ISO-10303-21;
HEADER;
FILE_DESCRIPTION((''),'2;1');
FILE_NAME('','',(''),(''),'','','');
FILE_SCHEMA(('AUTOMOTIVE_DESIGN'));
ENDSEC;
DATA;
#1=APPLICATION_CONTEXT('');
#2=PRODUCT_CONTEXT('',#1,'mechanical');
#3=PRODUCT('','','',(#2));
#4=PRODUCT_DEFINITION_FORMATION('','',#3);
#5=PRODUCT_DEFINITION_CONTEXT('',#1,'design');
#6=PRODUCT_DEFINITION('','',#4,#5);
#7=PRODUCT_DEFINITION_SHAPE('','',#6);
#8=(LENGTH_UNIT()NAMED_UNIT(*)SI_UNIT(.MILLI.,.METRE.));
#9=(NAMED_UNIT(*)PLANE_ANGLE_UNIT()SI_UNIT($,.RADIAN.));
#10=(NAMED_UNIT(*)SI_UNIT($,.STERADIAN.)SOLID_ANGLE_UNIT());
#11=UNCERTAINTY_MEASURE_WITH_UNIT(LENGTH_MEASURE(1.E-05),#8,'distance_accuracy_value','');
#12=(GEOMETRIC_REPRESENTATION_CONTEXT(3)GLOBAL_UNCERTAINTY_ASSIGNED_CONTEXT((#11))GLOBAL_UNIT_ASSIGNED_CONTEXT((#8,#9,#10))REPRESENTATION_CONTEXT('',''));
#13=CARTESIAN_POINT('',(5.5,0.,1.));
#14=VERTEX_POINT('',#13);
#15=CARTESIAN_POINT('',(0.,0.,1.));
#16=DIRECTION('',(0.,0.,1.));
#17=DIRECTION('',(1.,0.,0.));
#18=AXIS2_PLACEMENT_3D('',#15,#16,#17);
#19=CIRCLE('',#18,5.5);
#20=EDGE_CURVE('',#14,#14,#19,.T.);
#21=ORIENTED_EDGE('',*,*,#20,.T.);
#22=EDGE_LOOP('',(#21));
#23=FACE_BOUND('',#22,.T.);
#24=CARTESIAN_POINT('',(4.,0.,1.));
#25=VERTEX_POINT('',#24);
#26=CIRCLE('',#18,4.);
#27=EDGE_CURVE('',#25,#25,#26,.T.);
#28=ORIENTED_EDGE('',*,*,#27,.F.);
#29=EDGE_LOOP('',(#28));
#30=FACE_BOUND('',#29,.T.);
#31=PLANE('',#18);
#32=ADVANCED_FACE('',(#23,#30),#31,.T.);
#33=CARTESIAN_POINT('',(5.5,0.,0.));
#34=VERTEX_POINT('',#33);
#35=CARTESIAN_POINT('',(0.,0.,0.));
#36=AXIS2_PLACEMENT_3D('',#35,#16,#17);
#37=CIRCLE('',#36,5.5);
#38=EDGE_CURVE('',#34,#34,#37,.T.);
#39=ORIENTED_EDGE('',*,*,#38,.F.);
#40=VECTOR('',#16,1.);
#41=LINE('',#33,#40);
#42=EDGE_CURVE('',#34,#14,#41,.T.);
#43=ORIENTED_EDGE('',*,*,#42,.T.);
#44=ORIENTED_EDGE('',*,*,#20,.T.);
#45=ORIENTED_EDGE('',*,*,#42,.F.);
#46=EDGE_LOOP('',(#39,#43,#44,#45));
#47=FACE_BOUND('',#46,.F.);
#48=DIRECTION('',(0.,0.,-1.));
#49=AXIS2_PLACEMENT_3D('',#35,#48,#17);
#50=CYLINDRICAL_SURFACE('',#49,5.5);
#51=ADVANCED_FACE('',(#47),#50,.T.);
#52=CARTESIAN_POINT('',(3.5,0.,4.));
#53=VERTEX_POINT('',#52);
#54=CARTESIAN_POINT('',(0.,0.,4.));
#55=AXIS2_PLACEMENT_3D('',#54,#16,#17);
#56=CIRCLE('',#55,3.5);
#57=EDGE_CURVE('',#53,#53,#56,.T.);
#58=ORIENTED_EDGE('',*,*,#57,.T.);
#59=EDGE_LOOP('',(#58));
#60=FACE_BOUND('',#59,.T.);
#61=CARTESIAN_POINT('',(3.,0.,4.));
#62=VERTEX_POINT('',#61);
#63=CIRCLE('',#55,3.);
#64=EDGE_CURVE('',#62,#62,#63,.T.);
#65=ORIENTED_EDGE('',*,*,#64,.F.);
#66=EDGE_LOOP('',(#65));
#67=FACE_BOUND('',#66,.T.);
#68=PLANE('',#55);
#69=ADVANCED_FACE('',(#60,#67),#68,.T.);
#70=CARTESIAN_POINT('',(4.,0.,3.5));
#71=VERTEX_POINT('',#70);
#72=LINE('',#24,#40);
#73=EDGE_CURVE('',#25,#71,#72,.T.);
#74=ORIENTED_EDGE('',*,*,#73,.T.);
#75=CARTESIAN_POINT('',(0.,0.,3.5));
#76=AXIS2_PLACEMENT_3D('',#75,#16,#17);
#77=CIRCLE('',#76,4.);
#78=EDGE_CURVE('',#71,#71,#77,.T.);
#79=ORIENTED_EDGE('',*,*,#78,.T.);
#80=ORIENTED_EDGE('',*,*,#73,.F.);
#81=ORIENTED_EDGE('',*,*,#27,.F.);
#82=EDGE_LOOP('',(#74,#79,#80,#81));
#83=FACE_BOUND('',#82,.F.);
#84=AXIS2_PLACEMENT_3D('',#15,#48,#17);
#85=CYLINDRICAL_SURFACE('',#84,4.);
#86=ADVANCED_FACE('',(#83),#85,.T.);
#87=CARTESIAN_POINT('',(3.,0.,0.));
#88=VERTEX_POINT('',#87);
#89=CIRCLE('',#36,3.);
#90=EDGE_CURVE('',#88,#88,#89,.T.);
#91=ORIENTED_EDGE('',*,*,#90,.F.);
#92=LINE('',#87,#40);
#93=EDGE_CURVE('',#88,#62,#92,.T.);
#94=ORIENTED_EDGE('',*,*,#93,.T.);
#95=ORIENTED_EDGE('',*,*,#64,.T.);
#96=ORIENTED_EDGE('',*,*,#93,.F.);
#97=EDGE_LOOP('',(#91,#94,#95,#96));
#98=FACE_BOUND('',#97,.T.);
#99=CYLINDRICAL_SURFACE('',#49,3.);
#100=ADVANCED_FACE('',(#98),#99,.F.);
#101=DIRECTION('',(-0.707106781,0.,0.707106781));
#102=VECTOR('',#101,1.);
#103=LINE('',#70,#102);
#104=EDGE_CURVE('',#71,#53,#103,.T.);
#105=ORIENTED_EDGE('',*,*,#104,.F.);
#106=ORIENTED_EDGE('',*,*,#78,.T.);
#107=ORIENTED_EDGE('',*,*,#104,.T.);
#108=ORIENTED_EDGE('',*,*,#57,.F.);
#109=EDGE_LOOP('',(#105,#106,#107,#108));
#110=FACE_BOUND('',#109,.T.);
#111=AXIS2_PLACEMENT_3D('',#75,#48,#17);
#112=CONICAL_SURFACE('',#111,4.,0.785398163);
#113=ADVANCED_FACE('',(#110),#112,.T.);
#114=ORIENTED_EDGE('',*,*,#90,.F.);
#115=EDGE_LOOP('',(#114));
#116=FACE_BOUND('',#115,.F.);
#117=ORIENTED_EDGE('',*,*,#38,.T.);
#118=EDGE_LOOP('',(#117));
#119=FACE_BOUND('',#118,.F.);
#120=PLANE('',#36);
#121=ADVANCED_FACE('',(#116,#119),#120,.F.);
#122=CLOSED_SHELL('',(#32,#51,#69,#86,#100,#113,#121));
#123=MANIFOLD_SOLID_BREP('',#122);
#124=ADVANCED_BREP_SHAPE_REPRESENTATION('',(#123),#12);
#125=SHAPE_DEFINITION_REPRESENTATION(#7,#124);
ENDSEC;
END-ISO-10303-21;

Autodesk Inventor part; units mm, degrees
ref_plane "YZ Plane" through (0, 0, 0) normal (1, 0, 0) x (0, 1, 0)
ref_plane "XZ Plane" through (0, 0, 0) normal (0, 1, 0) x (-1, 0, 0)
ref_plane "XY Plane" through (0, 0, 0) normal (0, 0, 1) x (1, 0, 0)
sketch "スケッチ1" plane through (0, 0, 0) normal (0, 0, 1) x (1, 0, 0)
  circle A0 centre (0, 0) radius 5.5
  circle A1 centre (0, 0) radius 3
  dimension "d0" = 11
  dimension "d1" = 6
extrude "押し出し1" add sketch "スケッチ1" along normal blind 1
sketch "スケッチ2" plane through (0, 0, 1) normal (0, 0, 1) x (1, 0, 0)
  circle A0 centre (0, 0) radius 4
  circle A1 centre (0, 0) radius 3 projected
  dimension "d4" = 8
extrude "押し出し2" add sketch "スケッチ2" along normal blind 3
chamfer "面取り1" distance 0.5 angle 45 1 edges at (-4, 0, 4)
properties part number "オイレス6-10" material "アセタール樹脂、黒"
